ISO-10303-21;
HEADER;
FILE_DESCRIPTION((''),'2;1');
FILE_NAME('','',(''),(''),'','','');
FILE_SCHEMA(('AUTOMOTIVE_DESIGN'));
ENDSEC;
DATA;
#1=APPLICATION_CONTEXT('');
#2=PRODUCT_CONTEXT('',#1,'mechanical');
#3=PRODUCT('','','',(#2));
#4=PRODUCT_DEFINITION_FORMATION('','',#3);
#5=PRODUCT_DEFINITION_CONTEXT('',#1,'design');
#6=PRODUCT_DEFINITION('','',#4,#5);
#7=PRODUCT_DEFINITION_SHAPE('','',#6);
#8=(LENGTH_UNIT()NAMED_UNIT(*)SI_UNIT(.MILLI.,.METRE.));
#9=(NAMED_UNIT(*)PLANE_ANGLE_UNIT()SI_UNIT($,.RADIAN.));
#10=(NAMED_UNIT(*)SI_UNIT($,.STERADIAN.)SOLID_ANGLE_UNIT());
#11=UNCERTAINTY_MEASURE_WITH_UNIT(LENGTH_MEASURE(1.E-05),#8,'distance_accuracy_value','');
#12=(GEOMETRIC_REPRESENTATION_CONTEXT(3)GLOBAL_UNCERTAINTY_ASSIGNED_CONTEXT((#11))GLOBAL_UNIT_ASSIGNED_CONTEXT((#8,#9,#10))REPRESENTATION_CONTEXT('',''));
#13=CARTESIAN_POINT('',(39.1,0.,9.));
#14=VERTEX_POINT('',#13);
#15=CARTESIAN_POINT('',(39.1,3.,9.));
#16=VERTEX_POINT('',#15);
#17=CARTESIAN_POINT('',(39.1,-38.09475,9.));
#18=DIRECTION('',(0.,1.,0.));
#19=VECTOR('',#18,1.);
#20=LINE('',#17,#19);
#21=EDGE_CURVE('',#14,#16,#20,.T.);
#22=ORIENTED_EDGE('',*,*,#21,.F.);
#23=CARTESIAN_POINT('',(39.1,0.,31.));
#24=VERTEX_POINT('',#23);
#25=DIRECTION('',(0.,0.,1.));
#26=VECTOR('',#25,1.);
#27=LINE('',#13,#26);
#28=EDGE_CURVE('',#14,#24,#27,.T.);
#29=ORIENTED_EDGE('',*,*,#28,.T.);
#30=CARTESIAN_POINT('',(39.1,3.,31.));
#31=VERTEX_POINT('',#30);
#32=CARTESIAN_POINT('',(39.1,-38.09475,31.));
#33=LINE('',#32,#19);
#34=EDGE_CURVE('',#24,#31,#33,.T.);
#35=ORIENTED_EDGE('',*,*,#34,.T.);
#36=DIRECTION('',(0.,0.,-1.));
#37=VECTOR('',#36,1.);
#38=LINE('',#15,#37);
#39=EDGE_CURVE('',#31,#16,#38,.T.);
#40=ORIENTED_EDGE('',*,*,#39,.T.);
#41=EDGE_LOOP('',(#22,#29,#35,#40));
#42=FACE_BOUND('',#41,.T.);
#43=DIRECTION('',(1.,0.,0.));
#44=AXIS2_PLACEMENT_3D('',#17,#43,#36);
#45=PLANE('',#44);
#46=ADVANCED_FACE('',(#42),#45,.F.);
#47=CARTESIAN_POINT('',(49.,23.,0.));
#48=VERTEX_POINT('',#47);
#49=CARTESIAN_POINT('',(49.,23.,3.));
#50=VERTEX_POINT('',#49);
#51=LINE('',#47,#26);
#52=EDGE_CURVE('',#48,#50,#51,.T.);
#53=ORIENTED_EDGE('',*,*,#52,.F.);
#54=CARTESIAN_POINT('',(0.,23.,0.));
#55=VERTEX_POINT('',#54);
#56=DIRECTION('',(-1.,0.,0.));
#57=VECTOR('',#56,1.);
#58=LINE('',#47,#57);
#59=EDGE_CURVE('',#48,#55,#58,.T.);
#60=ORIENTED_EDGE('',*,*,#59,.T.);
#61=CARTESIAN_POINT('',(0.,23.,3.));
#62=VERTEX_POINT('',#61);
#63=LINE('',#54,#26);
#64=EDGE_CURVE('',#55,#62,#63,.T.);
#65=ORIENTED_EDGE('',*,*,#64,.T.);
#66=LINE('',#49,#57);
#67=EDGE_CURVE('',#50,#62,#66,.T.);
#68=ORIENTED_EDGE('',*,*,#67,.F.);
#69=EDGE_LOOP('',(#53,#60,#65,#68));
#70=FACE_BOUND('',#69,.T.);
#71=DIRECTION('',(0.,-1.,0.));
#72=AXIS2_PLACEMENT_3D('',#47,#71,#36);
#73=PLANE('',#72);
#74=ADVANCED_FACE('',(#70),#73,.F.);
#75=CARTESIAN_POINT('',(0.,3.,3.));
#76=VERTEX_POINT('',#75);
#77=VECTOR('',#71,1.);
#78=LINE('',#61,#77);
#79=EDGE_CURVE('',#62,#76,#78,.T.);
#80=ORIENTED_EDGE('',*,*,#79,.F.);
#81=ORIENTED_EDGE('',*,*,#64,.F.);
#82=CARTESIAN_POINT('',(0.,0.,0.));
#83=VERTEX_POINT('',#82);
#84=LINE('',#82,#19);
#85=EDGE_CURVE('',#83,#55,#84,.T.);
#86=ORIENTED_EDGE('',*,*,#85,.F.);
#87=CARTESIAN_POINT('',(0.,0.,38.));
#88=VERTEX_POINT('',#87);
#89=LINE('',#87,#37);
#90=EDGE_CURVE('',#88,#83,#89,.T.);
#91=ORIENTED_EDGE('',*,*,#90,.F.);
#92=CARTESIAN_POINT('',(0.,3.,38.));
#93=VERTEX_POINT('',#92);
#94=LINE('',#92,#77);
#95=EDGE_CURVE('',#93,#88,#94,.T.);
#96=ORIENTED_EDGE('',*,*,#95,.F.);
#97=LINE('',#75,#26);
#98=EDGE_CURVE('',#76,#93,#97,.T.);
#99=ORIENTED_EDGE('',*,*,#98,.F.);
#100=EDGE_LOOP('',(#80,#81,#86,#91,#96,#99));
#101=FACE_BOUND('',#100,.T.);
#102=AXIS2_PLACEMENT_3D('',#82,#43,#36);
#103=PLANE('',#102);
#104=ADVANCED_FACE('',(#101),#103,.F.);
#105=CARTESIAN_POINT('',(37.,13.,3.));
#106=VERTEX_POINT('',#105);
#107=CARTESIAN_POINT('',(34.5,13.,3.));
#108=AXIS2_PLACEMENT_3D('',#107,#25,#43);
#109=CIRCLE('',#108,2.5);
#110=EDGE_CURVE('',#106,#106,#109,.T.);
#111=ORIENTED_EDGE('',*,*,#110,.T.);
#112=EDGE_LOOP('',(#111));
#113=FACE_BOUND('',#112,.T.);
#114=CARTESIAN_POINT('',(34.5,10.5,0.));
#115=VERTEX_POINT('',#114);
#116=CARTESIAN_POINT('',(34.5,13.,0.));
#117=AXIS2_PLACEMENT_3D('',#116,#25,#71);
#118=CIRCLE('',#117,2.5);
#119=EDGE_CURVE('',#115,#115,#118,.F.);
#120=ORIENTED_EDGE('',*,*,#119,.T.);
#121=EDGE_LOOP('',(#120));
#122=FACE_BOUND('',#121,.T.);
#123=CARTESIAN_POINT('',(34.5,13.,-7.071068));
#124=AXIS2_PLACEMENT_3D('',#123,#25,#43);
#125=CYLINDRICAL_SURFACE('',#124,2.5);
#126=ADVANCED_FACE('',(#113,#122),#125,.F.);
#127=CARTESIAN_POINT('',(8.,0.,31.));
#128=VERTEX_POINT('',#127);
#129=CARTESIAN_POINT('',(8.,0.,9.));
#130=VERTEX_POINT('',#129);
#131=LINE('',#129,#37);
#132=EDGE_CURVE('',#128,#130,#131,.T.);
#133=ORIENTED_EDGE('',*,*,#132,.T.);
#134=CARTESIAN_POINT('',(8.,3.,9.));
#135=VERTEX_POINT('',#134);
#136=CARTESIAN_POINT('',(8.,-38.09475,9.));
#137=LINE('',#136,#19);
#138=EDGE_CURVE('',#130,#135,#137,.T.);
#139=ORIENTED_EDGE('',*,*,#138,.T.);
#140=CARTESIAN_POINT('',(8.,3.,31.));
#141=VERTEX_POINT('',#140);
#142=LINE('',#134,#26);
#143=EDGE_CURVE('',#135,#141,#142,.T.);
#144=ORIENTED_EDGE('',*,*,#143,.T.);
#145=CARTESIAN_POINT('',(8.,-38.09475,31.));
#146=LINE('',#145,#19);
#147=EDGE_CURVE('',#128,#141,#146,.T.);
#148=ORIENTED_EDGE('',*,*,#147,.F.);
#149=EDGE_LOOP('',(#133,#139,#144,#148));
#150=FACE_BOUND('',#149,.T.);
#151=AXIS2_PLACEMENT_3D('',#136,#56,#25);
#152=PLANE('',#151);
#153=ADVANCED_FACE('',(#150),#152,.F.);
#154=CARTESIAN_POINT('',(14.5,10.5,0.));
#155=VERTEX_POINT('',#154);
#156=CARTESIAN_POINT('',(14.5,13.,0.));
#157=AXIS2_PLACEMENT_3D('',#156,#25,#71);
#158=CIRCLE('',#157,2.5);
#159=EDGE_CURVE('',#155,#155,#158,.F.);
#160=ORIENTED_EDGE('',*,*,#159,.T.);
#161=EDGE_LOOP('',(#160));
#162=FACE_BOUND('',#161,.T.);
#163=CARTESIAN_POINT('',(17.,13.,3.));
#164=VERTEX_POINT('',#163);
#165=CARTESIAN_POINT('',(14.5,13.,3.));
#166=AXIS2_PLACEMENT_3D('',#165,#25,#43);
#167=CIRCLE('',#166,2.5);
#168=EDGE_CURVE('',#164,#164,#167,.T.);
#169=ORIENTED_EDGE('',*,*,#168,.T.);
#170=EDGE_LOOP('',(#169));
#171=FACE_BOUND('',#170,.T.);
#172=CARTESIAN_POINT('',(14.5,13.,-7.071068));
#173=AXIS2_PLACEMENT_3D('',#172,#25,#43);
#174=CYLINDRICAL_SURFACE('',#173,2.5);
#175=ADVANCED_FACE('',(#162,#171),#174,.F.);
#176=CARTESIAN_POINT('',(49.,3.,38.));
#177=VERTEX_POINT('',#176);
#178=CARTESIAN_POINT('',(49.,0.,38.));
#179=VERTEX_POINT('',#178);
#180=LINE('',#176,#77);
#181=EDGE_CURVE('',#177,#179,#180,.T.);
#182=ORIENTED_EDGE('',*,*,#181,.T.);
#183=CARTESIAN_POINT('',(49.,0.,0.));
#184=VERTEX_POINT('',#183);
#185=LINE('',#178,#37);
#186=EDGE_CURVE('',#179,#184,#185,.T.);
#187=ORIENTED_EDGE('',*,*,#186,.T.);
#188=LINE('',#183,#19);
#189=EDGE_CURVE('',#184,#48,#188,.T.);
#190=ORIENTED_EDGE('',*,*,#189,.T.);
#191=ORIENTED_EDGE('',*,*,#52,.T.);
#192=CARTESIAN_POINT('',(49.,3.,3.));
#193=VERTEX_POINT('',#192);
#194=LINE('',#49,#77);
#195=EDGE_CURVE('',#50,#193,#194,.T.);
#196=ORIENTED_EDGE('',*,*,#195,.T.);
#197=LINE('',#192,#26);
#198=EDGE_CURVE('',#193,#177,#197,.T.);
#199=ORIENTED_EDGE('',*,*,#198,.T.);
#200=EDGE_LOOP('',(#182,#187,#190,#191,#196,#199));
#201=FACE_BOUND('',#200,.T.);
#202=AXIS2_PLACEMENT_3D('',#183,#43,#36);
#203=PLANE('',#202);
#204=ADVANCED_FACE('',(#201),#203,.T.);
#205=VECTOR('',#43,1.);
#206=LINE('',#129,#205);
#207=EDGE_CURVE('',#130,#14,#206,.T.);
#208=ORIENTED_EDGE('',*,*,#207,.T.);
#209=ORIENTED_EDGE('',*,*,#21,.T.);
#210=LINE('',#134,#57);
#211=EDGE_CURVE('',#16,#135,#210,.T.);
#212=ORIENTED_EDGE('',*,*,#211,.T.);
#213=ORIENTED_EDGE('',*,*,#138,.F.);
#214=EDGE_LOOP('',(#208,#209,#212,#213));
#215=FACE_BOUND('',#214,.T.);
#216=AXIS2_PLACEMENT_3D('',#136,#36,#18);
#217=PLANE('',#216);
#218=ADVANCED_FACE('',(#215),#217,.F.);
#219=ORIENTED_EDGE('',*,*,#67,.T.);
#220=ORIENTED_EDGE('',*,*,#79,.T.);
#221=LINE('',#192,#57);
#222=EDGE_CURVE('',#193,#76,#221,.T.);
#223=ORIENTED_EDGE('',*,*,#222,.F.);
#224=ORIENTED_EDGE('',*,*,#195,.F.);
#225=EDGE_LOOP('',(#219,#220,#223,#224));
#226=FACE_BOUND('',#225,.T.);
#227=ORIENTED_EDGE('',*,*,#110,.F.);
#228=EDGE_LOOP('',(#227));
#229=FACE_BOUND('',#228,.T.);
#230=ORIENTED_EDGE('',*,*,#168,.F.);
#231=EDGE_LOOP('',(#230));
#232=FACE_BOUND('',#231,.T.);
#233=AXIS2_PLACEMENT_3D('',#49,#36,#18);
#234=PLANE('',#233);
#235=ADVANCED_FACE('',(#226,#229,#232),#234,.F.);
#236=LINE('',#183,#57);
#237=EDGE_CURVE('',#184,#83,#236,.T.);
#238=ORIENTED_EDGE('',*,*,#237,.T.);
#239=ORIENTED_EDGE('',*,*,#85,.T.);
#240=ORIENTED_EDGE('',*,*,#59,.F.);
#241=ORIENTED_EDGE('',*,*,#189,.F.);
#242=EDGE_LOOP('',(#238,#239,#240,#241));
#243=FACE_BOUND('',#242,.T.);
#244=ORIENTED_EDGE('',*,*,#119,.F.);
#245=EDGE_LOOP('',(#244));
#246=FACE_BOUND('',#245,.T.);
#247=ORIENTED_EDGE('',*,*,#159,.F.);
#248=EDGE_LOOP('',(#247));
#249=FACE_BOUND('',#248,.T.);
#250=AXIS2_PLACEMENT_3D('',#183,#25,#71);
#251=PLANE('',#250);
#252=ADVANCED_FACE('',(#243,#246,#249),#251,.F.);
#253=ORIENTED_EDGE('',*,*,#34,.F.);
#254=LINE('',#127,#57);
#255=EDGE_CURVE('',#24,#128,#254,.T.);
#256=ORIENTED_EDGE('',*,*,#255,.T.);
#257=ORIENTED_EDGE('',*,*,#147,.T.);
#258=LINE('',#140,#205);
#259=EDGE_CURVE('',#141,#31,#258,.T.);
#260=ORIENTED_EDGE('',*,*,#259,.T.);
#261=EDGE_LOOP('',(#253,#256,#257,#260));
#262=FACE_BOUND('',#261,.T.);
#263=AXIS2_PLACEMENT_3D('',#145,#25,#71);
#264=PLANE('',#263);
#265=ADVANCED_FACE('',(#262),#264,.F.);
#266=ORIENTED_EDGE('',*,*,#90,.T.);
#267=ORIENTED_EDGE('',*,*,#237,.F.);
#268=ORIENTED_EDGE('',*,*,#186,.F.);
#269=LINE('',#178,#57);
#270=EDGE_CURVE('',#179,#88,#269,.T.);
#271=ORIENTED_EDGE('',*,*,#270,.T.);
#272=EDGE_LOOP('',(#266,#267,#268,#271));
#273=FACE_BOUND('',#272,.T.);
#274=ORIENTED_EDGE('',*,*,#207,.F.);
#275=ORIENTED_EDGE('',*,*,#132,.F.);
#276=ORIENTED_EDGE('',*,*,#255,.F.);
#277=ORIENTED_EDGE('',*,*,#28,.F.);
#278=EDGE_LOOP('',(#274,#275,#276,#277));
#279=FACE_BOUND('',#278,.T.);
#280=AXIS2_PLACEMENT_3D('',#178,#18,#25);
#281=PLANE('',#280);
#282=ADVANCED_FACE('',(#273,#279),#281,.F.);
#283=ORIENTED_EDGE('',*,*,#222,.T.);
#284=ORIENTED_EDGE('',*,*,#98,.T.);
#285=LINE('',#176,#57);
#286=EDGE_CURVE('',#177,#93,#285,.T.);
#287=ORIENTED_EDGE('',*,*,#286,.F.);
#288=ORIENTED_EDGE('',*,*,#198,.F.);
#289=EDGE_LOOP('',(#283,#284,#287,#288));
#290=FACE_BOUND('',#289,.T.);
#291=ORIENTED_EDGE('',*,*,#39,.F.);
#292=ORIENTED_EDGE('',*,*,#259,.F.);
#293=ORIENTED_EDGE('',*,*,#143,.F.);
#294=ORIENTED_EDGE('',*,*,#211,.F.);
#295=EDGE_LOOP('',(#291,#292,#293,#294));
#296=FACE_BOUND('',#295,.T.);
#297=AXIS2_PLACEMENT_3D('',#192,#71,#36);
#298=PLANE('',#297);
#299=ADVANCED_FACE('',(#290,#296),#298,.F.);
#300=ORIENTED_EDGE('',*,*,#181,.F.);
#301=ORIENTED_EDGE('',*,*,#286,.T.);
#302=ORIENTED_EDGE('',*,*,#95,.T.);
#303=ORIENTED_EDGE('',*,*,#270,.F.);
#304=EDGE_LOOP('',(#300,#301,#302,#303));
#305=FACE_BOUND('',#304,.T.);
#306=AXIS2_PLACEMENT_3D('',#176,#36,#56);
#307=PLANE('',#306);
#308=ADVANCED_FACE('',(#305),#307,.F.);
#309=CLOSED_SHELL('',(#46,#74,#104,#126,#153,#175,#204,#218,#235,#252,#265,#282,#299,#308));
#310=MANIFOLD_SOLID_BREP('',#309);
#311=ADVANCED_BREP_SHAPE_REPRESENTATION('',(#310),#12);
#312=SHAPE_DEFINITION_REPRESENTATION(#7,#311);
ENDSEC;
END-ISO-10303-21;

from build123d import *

# Parameters (mm, degrees)
BOSS_EXTRUDE1_DEPTH = 49
SKETCH7_W           = 31.1
SKETCH7_H           = 22
CUT_EXTRUDE5_DEPTH  = 3
SKETCH8_R           = 2.5
CUT_EXTRUDE6_DEPTH  = 3


with BuildPart() as part:
    # Sketch1 → Boss-Extrude1 (new body)
    with BuildSketch(Plane(origin=(0, 0, 0), x_dir=(0, 0, -1), z_dir=(1, 0, 0))):
        Polygon((-38, 0), (0, 0), (0, 23), (-3, 23), (-3, 3), (-38, 3), align=None)
    extrude(amount=BOSS_EXTRUDE1_DEPTH)

    # Sketch7 → Cut-Extrude5 (cut)
    with BuildSketch(Plane(origin=(0, 3, 0), x_dir=(1, 0, 0), z_dir=(0, 1, 0))):
        with Locations((23.55, -20)):
            Rectangle(SKETCH7_W, SKETCH7_H)
    extrude(amount=-CUT_EXTRUDE5_DEPTH, mode=Mode.SUBTRACT)

    # Sketch8 → Cut-Extrude6 (cut)
    with BuildSketch(Plane.XY.offset(3)):
        with Locations((14.5, 13)):
            Circle(SKETCH8_R)
        with Locations((34.5, 13)):
            Circle(SKETCH8_R)
    extrude(amount=-CUT_EXTRUDE6_DEPTH, mode=Mode.SUBTRACT)


solid = part.part
